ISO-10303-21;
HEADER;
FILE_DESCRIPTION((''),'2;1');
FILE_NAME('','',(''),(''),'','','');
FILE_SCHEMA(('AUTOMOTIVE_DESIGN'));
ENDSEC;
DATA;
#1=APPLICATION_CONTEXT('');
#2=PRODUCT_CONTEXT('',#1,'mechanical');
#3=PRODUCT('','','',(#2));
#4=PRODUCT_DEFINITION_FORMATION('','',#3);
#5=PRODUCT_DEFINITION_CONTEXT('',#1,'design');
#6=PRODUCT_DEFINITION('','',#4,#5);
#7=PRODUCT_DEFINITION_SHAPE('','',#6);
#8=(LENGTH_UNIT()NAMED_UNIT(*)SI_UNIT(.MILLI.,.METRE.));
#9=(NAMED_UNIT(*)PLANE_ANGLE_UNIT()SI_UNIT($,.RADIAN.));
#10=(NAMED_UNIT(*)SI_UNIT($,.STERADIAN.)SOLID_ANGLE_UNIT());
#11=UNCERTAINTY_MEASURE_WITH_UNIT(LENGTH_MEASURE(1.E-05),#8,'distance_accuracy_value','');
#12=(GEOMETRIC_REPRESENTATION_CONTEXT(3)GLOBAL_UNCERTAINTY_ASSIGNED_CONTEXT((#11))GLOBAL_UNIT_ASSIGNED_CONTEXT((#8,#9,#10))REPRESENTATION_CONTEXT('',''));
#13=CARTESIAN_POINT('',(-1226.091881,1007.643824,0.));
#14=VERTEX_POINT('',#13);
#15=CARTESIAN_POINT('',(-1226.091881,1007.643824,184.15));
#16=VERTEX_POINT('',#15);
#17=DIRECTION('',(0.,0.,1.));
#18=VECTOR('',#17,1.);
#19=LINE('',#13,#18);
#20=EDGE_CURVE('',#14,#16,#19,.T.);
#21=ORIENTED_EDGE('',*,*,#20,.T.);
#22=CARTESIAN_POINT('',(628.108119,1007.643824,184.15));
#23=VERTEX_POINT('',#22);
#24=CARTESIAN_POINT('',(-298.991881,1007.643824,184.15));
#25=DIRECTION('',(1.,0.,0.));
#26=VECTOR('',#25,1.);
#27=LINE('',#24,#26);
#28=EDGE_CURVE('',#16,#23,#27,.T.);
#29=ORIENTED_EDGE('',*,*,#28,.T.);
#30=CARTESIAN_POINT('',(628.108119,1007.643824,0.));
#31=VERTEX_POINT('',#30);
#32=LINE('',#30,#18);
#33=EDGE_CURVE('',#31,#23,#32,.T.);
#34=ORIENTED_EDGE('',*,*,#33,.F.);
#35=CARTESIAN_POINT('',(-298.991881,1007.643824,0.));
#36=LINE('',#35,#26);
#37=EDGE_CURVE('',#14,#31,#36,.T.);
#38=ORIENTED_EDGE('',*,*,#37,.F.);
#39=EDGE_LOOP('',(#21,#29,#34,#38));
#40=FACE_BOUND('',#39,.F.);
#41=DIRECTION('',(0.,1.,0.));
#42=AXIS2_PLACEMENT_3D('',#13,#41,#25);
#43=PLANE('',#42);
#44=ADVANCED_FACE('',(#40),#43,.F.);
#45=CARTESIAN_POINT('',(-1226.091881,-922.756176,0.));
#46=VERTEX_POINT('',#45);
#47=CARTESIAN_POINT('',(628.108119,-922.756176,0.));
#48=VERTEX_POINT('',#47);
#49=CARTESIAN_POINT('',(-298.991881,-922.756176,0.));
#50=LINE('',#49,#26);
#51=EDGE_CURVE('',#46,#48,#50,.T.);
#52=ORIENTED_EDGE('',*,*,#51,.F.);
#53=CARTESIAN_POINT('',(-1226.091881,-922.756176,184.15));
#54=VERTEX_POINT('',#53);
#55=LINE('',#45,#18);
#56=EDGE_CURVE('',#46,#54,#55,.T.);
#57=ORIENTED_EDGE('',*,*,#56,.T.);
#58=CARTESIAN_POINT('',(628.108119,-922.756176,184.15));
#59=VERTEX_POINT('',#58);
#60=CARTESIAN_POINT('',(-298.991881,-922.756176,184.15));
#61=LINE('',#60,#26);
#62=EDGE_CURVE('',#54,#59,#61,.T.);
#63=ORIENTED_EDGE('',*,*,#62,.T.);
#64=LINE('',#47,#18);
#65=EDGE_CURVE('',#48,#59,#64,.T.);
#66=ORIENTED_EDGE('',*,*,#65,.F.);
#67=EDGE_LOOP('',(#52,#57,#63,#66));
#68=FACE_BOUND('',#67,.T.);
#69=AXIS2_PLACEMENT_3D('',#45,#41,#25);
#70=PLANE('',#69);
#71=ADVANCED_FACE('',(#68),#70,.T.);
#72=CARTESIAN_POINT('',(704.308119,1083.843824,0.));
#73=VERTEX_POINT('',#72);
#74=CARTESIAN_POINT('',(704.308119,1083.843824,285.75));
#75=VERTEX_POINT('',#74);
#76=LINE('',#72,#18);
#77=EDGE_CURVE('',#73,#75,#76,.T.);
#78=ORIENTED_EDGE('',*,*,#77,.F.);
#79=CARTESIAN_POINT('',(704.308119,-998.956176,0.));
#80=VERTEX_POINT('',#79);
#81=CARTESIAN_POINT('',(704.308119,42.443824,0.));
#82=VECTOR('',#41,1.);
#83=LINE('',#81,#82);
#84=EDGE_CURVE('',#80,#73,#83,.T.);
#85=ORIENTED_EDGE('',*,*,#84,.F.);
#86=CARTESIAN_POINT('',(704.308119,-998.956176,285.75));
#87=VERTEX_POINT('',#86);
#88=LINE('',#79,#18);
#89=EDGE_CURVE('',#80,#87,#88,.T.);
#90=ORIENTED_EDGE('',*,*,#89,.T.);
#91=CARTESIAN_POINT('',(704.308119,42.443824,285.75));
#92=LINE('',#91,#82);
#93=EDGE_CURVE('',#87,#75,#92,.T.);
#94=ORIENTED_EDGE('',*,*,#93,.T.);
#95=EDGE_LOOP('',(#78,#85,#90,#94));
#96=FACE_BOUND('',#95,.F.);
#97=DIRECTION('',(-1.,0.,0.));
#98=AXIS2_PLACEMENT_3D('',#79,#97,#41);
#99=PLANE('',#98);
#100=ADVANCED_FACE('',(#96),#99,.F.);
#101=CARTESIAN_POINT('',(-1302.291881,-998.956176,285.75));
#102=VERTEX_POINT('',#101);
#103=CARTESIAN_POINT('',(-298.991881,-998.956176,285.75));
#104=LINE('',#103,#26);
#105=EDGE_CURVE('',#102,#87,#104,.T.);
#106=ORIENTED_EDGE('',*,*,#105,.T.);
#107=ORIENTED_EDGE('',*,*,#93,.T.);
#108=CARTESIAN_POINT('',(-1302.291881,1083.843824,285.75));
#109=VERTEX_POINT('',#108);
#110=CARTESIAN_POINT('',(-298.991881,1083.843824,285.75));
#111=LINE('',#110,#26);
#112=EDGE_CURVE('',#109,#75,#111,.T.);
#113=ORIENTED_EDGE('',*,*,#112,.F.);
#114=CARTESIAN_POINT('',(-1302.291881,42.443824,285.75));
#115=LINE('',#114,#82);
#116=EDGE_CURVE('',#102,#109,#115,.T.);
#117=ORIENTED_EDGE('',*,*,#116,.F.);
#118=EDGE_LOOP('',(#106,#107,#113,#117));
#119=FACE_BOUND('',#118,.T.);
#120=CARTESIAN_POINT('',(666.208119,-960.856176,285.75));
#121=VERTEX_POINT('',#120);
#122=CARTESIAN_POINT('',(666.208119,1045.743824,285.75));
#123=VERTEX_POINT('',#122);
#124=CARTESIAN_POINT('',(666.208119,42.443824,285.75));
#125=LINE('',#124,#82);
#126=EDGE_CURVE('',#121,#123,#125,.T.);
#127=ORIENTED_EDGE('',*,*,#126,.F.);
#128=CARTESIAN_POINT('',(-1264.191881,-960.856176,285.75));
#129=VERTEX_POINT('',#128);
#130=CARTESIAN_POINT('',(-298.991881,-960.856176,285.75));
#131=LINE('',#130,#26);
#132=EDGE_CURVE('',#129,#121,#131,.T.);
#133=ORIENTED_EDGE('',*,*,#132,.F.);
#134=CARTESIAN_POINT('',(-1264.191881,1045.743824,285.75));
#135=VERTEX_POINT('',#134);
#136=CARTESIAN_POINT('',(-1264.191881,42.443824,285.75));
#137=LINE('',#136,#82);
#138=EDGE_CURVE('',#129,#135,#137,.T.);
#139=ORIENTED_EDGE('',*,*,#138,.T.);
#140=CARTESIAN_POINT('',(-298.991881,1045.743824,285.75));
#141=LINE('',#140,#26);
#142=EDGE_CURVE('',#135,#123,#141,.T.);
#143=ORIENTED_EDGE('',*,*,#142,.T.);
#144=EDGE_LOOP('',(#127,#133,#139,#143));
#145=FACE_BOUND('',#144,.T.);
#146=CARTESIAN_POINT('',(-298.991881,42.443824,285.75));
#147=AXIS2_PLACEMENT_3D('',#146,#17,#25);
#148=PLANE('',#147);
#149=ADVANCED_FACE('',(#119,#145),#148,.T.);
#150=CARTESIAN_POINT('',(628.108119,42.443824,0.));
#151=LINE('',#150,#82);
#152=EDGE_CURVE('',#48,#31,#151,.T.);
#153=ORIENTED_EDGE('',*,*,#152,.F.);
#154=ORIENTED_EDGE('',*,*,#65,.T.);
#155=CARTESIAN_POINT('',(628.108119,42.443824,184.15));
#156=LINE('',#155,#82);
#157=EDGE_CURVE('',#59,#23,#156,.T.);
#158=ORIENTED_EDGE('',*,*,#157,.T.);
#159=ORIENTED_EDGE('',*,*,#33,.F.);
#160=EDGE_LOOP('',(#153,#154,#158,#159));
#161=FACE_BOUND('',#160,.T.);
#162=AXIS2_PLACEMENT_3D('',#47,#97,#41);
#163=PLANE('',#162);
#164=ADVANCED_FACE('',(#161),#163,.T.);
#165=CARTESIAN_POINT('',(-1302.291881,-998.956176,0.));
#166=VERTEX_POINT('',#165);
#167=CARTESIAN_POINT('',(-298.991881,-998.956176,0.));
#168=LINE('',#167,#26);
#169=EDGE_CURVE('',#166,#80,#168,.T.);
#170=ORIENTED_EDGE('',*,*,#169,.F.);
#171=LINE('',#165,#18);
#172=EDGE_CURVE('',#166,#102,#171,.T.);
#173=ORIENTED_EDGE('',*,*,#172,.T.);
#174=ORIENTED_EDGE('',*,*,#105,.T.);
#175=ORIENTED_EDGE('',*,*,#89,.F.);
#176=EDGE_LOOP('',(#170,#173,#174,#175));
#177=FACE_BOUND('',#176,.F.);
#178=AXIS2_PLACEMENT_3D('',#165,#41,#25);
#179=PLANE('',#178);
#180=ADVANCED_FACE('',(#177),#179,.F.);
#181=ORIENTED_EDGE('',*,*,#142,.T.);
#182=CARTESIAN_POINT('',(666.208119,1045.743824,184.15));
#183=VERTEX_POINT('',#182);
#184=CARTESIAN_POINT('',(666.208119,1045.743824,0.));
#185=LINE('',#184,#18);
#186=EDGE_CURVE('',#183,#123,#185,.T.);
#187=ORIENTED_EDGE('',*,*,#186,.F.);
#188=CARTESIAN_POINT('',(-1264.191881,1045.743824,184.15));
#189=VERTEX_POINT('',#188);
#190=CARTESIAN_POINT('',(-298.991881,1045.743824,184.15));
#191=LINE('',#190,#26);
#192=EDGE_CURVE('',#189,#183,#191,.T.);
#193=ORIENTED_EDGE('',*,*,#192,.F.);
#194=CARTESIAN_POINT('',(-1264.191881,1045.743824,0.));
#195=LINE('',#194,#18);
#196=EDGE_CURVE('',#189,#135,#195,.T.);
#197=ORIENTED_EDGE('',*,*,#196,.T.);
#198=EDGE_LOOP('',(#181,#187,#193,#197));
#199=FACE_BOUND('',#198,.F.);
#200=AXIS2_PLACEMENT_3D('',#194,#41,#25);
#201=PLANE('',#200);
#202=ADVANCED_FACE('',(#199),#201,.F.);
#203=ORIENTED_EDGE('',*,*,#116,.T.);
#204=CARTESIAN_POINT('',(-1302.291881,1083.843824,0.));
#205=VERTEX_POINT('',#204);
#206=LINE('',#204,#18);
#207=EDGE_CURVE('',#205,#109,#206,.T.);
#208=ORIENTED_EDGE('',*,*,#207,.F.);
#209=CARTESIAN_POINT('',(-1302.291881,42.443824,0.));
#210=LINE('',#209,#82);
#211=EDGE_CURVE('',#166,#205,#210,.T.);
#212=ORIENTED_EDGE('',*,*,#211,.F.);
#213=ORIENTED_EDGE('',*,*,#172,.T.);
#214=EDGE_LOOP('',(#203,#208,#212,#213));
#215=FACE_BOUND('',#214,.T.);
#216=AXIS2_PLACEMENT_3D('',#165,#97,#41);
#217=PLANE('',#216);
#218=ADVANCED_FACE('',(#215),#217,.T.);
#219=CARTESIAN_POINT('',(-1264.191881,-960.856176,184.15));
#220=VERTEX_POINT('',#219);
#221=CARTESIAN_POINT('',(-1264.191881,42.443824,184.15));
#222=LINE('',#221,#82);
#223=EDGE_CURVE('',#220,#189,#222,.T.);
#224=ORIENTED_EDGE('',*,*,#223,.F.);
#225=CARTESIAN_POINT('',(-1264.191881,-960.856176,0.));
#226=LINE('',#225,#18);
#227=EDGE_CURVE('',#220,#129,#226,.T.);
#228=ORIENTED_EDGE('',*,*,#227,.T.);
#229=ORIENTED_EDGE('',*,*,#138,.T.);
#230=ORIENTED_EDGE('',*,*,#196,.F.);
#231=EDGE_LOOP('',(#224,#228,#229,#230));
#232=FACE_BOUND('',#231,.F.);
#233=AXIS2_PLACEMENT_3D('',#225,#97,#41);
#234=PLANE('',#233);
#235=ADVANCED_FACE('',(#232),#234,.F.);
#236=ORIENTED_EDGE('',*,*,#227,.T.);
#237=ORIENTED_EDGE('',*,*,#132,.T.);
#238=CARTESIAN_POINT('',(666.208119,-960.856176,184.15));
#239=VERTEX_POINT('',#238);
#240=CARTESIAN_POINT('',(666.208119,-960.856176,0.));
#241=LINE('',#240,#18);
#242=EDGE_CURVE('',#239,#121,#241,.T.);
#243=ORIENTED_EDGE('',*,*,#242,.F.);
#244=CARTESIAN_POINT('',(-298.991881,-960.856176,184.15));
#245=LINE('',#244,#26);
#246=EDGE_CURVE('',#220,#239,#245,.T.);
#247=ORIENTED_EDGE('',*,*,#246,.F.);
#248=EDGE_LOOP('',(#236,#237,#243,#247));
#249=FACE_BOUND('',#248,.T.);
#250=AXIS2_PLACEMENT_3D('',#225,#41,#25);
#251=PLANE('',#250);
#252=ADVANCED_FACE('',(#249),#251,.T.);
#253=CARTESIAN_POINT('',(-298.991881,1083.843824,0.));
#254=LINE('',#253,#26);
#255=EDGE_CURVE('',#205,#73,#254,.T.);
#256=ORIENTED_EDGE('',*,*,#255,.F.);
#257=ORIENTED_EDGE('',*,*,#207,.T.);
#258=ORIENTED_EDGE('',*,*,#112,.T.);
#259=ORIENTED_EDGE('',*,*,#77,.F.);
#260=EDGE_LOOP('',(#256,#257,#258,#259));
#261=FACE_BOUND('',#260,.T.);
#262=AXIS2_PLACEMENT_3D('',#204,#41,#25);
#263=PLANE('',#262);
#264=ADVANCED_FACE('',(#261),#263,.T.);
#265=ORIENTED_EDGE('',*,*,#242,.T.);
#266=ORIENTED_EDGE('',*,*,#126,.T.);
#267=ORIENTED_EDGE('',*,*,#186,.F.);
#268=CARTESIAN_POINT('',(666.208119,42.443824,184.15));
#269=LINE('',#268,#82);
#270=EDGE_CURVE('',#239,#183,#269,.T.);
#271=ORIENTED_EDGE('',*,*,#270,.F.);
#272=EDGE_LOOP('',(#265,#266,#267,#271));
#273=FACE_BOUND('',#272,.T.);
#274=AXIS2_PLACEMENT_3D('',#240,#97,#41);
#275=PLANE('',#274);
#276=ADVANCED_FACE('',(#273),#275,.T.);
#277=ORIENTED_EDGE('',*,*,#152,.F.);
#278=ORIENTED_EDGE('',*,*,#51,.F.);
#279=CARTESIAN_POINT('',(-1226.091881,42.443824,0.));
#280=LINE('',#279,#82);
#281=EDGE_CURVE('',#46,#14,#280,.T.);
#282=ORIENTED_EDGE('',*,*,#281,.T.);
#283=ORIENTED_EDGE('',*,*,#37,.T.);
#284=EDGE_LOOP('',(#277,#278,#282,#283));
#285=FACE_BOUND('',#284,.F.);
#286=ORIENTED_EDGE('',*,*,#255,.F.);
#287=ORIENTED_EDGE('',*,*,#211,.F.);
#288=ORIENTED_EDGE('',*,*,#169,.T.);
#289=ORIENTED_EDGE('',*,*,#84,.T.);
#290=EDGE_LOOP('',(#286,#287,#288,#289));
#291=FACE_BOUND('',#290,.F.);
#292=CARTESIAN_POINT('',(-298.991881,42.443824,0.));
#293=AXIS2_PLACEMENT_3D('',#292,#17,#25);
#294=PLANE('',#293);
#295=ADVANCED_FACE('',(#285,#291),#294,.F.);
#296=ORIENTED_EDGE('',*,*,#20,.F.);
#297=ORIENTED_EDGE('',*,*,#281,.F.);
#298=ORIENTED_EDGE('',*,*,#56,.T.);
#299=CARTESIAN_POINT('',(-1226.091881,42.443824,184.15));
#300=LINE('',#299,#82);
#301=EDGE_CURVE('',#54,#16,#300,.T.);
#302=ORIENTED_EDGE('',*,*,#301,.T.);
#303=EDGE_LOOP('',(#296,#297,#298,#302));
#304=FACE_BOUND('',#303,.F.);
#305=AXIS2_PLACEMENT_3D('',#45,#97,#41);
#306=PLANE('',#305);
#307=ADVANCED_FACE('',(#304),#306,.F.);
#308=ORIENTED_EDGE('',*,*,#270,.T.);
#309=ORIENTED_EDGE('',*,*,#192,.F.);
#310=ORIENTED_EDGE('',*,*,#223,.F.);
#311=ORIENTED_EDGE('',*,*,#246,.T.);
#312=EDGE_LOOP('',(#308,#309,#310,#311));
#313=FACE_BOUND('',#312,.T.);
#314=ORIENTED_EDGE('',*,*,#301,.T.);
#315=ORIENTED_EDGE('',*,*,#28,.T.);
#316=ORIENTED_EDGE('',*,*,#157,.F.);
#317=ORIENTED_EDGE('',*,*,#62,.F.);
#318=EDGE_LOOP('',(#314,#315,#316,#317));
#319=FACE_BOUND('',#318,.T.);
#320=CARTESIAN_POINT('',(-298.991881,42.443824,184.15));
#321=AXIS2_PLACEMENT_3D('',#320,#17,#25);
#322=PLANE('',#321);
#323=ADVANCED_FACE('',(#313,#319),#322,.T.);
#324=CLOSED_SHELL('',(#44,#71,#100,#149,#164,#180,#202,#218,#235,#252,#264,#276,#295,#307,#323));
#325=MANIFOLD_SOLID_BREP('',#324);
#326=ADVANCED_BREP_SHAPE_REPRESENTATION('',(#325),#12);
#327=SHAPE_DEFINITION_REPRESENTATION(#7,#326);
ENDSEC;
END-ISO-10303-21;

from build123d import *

# Parameters (mm, degrees)
F0_W     = 1930.4
F0_H     = 2006.6
F0_W_2   = 1854.2
F0_H_2   = 1930.4
F1_DEPTH = 184.15
F0_W_3   = 2006.6
F0_H_3   = 2082.8
F2_DEPTH = 285.75


with BuildPart() as f1:
    # F0 (on Top) → F1 (new body)
    with BuildSketch(Plane.XY):
        with Locations((-298.991881, 42.443824)):
            Rectangle(F0_W, F0_H)
        with Locations((-298.991881, 42.443824)):
            Rectangle(F0_W_2, F0_H_2, mode=Mode.SUBTRACT)
    extrude(amount=F1_DEPTH)

    # F0 (on Top) → F2 (join)
    with BuildSketch(Plane.XY):
        with Locations((-298.991881, 42.443824)):
            Rectangle(F0_W_3, F0_H_3)
        with Locations((-298.991881, 42.443824)):
            Rectangle(F0_W, F0_H, mode=Mode.SUBTRACT)
    extrude(amount=F2_DEPTH)


solid = f1.part
